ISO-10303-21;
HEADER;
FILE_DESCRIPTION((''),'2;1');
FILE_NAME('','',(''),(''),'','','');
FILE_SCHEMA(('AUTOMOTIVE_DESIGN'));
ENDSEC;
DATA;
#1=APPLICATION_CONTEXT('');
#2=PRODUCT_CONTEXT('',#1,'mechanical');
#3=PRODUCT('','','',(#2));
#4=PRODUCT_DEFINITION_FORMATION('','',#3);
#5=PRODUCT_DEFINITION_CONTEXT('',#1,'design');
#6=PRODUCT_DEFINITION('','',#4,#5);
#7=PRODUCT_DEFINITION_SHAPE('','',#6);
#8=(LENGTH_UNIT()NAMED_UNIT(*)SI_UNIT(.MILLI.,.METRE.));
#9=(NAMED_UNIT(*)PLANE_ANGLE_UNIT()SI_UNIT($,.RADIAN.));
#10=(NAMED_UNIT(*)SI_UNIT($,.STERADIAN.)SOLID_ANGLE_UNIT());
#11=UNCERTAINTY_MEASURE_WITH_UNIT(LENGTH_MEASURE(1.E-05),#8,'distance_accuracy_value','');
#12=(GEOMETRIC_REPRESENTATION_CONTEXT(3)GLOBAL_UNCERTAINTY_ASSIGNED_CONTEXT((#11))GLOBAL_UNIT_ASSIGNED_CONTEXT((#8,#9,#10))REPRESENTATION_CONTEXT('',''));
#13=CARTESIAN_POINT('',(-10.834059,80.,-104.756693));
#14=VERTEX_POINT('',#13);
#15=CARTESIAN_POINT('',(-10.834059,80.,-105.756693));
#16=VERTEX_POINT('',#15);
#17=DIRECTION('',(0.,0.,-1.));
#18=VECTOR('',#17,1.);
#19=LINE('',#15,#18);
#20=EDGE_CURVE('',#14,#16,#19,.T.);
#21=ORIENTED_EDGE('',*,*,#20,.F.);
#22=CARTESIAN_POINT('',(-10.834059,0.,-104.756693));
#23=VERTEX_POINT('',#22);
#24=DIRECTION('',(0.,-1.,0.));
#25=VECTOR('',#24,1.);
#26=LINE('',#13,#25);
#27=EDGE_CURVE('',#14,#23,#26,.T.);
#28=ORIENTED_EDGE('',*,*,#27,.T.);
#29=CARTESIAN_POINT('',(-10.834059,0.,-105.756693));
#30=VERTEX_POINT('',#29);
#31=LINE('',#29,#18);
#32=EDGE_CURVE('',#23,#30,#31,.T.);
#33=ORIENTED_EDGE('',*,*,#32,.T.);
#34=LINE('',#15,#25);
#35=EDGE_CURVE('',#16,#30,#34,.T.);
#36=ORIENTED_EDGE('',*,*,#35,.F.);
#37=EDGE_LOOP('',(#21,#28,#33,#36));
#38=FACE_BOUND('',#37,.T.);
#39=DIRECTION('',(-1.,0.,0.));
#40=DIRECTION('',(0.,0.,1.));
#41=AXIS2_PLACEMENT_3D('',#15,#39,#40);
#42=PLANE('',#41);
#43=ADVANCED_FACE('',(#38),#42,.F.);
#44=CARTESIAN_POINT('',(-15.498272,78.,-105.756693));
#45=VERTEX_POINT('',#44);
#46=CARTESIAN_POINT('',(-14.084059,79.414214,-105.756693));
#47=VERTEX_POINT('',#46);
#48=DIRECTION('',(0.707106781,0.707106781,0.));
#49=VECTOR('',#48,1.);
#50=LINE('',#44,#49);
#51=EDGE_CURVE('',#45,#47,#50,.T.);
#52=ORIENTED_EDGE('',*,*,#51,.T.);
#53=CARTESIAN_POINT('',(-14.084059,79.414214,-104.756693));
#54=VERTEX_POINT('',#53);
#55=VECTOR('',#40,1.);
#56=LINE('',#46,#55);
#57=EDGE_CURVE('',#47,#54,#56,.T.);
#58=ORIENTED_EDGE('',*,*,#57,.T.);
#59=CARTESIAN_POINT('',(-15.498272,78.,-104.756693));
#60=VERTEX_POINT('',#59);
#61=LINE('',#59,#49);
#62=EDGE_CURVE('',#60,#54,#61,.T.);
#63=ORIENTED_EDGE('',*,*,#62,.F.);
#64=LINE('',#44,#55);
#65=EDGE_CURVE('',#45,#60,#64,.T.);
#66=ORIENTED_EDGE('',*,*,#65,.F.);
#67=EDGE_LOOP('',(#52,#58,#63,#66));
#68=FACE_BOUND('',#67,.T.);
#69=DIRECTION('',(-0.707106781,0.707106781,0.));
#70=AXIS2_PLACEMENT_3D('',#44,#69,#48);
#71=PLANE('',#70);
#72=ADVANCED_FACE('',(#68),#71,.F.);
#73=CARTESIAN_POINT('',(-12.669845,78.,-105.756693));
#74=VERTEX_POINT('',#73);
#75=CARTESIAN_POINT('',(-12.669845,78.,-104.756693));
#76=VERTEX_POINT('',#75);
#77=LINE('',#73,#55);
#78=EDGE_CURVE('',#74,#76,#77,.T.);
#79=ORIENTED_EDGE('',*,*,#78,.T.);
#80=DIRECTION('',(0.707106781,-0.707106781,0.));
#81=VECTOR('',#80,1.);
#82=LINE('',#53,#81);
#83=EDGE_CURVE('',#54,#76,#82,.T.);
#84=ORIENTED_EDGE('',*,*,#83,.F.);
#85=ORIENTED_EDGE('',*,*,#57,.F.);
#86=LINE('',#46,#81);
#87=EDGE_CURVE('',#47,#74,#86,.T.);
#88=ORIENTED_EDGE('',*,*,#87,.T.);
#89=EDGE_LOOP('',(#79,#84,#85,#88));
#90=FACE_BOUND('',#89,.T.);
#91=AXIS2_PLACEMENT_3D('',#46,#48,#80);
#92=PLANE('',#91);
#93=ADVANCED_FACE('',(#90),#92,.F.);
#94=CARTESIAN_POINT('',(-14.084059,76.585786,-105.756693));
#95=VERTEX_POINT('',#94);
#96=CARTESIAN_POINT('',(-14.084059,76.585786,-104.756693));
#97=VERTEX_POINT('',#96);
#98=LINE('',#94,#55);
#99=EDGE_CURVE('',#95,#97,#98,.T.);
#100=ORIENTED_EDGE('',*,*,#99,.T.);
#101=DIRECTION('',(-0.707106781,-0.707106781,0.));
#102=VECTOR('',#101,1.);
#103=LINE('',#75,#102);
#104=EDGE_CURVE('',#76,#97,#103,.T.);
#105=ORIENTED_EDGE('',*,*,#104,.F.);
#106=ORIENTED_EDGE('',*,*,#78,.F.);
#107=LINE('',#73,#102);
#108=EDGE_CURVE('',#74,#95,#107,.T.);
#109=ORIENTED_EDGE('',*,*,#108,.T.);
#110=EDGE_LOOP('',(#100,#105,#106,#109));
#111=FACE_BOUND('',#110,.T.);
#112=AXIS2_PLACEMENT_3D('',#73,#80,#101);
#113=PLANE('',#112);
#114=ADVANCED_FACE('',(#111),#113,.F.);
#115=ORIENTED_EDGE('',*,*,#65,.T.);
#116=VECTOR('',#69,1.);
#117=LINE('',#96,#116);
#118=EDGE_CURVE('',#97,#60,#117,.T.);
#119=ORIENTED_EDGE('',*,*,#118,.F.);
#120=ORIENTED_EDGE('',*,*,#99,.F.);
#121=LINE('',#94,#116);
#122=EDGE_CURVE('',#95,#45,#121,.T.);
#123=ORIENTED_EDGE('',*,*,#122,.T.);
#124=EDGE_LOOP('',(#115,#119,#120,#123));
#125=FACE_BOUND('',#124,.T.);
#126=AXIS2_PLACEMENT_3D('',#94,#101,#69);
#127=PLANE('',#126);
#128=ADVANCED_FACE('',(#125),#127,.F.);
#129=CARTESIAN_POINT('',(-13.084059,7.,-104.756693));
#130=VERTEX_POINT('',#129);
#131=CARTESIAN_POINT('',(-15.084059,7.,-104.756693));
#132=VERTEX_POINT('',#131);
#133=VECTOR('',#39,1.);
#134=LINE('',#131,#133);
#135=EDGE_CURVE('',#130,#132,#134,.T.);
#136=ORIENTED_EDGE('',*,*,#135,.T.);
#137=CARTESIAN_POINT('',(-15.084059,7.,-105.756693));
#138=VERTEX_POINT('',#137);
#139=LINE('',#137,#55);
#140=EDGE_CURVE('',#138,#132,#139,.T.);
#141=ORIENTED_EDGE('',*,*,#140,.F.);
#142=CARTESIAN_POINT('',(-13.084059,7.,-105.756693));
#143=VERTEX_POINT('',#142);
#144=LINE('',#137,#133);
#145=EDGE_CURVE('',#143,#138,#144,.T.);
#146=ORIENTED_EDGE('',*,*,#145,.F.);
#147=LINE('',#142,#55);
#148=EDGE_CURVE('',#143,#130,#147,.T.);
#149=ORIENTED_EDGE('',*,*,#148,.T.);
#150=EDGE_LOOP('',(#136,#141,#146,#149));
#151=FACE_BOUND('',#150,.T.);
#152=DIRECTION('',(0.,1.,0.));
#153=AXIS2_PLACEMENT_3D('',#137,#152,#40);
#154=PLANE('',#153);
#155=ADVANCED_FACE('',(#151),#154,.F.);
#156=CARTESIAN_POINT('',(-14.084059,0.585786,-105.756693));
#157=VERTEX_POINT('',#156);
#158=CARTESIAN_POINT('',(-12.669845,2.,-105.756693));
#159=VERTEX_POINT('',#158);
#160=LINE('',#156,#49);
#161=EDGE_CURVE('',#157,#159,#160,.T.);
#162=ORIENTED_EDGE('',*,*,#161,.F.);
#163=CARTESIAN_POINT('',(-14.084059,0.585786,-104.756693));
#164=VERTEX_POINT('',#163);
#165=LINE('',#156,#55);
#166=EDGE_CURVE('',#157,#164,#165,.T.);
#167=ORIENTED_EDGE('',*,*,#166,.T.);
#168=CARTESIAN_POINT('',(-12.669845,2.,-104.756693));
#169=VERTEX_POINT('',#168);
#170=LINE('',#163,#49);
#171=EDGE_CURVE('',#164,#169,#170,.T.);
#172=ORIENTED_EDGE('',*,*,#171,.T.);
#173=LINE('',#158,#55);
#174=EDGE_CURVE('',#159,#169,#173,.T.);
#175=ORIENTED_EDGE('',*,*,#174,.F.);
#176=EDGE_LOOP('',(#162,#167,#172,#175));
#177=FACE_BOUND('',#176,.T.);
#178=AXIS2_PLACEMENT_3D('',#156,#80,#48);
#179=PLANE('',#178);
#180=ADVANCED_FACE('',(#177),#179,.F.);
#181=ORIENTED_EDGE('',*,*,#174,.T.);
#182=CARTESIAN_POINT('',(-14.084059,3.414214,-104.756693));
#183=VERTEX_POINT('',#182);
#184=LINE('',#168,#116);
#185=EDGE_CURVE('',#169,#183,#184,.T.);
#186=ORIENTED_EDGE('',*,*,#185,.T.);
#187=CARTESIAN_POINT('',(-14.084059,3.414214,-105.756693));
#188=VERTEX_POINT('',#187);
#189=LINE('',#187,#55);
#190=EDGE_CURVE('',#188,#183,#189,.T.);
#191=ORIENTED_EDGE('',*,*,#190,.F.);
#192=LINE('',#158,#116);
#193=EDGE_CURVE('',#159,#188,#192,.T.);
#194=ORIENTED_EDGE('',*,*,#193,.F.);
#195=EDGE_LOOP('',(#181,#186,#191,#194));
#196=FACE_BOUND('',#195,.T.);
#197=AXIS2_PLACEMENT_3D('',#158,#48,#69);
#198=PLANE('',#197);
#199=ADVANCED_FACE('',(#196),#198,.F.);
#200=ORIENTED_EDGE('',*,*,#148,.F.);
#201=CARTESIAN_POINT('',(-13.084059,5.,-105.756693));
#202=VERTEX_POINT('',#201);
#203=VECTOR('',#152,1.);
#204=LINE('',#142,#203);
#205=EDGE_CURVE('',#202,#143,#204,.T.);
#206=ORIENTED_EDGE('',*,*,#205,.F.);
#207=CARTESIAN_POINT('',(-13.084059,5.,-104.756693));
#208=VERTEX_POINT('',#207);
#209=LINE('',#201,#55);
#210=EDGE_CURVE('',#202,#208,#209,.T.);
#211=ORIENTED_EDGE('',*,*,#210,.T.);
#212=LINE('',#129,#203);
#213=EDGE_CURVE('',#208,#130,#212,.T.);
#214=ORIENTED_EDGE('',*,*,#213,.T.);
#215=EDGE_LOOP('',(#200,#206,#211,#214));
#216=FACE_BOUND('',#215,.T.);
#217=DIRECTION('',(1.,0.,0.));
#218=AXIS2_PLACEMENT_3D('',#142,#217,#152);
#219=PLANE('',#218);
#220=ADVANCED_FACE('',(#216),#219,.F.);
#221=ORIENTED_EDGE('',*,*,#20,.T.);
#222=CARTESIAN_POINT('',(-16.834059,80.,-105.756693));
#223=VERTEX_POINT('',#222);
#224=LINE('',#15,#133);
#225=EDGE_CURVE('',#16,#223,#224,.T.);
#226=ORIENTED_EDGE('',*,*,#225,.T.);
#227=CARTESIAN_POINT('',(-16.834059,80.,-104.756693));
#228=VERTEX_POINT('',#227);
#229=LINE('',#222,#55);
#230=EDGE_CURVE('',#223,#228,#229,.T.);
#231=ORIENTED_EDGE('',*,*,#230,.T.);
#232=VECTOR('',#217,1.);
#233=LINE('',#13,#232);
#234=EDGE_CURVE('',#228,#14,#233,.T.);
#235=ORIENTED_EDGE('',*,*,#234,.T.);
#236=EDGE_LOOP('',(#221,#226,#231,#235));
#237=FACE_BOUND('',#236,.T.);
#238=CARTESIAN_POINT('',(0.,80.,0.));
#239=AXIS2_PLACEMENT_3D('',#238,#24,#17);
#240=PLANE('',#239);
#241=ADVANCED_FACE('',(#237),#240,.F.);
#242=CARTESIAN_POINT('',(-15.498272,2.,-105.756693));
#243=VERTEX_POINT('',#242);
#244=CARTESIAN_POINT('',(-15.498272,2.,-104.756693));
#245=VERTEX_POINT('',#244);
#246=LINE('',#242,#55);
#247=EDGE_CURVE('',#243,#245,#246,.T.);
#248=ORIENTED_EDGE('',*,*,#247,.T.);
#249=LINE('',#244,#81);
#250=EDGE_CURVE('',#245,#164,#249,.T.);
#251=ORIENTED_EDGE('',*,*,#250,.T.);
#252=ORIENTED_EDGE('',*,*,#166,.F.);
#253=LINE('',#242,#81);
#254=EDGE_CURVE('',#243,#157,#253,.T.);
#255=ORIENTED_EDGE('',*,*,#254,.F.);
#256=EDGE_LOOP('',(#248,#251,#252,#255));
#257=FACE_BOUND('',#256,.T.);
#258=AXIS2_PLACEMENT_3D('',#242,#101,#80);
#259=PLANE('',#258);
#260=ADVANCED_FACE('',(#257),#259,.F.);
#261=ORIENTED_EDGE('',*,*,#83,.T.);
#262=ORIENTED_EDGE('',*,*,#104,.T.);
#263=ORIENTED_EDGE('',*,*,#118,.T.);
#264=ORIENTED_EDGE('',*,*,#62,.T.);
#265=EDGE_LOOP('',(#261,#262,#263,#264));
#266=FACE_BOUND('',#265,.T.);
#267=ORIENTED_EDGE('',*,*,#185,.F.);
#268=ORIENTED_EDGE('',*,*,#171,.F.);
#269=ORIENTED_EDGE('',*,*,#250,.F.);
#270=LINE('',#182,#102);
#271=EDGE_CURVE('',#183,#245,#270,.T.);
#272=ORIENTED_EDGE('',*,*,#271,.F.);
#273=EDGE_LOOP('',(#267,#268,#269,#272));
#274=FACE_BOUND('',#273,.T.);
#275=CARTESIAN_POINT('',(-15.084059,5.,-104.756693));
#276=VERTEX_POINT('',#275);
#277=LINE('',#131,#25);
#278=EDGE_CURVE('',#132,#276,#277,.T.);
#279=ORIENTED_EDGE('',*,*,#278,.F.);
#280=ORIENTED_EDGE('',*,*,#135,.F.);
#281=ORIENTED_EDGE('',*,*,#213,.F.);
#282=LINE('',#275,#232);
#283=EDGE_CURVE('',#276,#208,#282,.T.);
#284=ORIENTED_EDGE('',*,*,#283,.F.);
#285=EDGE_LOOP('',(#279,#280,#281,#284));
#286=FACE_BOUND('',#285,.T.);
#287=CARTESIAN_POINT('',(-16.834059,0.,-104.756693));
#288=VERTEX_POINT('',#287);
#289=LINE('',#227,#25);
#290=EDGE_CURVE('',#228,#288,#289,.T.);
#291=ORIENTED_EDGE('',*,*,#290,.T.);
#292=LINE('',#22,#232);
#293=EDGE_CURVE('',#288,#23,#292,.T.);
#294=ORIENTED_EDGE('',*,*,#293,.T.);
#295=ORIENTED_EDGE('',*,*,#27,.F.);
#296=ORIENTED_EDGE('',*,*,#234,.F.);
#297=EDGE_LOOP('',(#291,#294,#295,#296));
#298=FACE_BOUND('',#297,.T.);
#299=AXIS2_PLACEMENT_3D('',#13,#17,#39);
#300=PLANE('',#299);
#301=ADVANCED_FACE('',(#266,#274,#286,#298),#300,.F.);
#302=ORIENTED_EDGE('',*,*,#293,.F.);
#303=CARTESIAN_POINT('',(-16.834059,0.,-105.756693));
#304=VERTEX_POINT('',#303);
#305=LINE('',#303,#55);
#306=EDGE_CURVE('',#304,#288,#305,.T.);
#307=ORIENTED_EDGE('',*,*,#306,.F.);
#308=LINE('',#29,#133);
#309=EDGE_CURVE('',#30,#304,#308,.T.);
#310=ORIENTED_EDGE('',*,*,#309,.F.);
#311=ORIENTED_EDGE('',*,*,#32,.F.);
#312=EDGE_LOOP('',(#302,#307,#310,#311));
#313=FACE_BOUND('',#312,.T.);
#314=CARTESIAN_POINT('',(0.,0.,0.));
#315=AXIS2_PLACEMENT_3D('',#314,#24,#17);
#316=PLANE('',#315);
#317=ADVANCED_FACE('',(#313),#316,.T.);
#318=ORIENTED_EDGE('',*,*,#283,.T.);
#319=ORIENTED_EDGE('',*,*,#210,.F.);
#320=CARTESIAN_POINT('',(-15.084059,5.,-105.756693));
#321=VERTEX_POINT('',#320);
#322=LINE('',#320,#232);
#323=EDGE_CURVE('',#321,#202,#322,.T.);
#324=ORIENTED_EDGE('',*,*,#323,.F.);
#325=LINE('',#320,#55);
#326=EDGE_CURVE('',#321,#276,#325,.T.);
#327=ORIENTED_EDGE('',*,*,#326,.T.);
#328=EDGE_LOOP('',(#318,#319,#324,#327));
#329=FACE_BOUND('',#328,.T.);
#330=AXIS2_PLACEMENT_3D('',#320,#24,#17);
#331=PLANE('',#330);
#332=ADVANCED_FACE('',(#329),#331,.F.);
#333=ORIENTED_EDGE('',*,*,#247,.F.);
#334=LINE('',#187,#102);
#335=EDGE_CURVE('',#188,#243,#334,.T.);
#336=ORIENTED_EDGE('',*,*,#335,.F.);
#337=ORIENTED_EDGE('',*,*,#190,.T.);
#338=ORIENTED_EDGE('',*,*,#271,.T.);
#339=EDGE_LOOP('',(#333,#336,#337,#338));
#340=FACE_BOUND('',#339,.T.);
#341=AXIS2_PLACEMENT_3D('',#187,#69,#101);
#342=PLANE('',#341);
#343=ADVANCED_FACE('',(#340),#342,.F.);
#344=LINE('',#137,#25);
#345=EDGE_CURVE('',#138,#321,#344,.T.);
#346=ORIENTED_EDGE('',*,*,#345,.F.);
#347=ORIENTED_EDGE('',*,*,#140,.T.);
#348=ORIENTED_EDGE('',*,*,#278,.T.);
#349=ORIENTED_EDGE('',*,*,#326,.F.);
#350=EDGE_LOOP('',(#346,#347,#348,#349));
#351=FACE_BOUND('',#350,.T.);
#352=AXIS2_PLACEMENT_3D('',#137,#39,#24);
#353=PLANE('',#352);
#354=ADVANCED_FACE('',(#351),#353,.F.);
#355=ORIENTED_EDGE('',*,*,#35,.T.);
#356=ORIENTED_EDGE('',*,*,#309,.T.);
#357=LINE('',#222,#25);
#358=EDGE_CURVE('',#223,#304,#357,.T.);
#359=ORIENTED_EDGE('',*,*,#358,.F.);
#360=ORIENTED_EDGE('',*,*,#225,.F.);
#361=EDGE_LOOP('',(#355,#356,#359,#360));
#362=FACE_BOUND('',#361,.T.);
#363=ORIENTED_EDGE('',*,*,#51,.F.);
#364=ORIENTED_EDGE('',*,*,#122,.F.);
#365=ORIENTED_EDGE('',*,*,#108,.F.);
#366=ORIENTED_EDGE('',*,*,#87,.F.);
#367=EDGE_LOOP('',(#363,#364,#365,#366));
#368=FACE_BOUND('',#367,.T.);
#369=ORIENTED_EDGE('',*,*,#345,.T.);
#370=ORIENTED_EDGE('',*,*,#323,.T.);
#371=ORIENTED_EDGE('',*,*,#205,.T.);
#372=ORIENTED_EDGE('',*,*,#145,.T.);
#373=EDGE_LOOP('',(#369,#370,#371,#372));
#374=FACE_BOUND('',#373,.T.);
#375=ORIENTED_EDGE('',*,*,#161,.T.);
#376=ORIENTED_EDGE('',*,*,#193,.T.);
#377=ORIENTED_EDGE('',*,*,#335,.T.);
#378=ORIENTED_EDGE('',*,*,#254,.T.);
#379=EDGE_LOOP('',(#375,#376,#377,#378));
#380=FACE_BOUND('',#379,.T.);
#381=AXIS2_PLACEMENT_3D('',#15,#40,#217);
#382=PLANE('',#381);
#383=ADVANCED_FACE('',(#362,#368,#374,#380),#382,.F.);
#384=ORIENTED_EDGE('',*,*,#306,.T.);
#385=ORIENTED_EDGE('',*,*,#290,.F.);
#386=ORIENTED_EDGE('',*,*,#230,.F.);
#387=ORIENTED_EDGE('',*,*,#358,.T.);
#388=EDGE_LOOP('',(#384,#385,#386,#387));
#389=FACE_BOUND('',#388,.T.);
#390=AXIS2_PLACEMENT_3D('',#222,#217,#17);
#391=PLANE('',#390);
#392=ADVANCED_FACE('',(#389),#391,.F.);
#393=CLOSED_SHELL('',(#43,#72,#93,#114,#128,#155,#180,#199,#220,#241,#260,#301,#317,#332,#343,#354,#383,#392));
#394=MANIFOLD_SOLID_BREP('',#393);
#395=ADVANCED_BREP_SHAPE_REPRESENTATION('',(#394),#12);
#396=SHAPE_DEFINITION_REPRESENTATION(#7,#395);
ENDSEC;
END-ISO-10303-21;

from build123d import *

# Parameters (mm, degrees)
PROFILE_SKETCH_W                  = 6
PROFILE_SKETCH_H                  = 1
PROFILE_EXTRUDE_DEPTH             = 80
FIDUCIAL_CUT_DEPTH                = 82.758091516
FIDUCIAL_1_INDICATOR_SKETCH_W     = 2
FIDUCIAL_1_INDICATOR_SKETCH_H     = 2
INDICATOR_OF_FIDUCIAL_1_CUT_DEPTH = 82.758091516


with BuildPart() as part:
    # Profile Sketch → Profile Extrude (new body)
    with BuildSketch(Plane(origin=(-13.83405858, 0, -105.75669297), x_dir=(-1, 0, 0), z_dir=(0, 1, 0))):
        with Locations((0, 0.5)):
            Rectangle(PROFILE_SKETCH_W, PROFILE_SKETCH_H)
    extrude(amount=PROFILE_EXTRUDE_DEPTH)

    # Fiducial Sketch → Fiducial Cut (cut, through all)
    with BuildSketch(Plane.XY.offset(-104.75669297)):
        Polygon((-12.669845017, 2), (-14.08405858, 3.414213562), (-15.498272142, 2), (-14.08405858, 0.585786438), align=None)
    fiducial_cut = extrude(amount=-FIDUCIAL_CUT_DEPTH, mode=Mode.SUBTRACT)

    # Fiducial Mirror: Fiducial Cut across plane
    add(fiducial_cut.mirror(Plane(origin=(0, 40, 0), x_dir=(0, 0, 1), z_dir=(0, -1, 0))), mode=Mode.SUBTRACT)

    # Fiducial 1 Indicator Sketch → Indicator of Fiducial 1 Cut (cut, through all)
    with BuildSketch(Plane.XY.offset(-104.75669297)):
        with Locations((-14.08405858, 6)):
            Rectangle(FIDUCIAL_1_INDICATOR_SKETCH_W, FIDUCIAL_1_INDICATOR_SKETCH_H)
    extrude(amount=-INDICATOR_OF_FIDUCIAL_1_CUT_DEPTH, mode=Mode.SUBTRACT)


solid = part.part
